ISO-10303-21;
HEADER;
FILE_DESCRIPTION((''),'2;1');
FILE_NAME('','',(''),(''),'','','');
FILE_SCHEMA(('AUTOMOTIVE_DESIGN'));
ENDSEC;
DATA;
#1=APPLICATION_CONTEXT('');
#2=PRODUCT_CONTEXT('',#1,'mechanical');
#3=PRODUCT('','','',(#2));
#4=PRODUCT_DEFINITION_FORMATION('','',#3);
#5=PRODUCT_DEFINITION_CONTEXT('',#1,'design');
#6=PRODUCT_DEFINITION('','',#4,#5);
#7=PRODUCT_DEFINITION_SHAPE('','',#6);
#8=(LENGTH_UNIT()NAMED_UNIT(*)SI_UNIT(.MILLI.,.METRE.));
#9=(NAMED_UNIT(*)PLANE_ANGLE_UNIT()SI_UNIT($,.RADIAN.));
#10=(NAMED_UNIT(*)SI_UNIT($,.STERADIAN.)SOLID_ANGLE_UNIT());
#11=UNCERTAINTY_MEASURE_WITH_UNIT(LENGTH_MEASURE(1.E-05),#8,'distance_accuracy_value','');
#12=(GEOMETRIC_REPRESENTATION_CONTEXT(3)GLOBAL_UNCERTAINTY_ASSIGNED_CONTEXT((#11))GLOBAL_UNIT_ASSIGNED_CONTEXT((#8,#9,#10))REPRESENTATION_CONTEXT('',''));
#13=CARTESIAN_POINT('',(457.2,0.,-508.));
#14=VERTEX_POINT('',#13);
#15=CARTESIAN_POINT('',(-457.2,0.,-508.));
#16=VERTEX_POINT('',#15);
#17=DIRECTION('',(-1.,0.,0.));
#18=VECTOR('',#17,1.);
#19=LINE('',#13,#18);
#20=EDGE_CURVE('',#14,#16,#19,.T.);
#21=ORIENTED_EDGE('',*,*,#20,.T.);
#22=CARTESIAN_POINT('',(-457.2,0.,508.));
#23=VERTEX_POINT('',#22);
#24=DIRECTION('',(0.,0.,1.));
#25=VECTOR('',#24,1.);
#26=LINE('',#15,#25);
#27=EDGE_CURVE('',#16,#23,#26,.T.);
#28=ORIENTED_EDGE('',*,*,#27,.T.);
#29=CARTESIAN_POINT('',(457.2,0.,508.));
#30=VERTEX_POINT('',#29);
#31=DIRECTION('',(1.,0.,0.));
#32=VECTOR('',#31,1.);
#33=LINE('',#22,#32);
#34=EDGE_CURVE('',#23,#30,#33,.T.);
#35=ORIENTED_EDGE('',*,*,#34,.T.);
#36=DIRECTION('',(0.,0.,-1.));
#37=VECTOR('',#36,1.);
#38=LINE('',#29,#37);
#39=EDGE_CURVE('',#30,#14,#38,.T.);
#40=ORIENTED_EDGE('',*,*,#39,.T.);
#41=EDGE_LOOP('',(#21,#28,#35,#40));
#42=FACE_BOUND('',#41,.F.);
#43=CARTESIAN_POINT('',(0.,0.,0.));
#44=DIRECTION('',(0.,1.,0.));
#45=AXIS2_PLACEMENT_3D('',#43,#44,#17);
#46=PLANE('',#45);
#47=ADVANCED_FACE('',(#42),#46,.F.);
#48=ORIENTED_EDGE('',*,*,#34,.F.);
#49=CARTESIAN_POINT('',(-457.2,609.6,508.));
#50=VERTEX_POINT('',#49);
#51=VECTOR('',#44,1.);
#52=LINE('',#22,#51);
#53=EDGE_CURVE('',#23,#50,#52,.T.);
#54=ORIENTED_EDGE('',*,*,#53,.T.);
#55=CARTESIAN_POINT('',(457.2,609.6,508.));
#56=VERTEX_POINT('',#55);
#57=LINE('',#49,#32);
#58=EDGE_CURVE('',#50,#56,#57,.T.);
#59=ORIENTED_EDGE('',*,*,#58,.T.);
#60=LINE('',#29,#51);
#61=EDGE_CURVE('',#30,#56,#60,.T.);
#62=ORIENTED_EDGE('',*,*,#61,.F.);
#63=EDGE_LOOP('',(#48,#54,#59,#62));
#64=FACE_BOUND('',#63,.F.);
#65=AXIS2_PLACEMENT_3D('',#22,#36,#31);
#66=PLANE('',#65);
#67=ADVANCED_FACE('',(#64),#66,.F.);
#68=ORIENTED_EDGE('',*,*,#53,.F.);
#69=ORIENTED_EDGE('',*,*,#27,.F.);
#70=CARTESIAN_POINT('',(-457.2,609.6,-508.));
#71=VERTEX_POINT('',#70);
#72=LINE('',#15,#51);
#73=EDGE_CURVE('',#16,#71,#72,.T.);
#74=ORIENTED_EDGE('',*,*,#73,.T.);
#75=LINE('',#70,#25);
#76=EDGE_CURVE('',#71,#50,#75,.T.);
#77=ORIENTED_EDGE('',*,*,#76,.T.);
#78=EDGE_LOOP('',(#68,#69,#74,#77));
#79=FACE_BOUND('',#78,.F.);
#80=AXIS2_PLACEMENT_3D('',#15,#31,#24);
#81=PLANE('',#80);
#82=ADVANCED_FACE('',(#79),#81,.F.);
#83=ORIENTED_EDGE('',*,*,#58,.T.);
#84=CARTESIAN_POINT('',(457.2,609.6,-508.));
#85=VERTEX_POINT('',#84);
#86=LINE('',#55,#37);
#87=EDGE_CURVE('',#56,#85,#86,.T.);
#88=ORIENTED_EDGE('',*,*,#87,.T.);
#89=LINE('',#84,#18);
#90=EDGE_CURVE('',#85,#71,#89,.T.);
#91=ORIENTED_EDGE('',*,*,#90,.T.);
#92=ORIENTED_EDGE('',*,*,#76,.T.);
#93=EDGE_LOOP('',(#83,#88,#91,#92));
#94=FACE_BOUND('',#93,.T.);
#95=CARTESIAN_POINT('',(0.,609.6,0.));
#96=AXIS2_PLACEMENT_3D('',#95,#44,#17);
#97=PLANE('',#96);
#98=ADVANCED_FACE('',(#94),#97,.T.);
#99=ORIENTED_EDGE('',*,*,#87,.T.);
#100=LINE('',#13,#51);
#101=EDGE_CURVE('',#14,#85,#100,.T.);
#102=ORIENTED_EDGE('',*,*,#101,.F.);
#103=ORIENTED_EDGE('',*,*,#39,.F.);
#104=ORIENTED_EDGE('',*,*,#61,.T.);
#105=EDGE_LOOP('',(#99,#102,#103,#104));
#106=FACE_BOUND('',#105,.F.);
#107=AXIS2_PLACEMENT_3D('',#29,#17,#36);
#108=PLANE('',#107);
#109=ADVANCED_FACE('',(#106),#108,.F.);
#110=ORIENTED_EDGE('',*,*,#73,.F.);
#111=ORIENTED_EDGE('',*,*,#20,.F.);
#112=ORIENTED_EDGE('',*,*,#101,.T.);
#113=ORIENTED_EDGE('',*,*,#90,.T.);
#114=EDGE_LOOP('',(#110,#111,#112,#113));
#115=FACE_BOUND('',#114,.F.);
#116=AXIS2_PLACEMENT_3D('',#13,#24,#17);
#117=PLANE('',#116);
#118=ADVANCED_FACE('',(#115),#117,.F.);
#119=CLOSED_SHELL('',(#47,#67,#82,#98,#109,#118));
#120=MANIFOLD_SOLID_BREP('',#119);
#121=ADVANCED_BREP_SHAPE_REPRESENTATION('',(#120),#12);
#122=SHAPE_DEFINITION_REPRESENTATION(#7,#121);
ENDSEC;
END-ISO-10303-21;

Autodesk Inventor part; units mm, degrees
ref_plane "YZ Plane" through (0, 0, 0) normal (1, 0, 0) x (0, 1, 0)
ref_plane "XZ Plane" through (0, 0, 0) normal (0, 1, 0) x (-1, 0, 0)
ref_plane "XY Plane" through (0, 0, 0) normal (0, 0, 1) x (1, 0, 0)
sketch "Sketch1" plane through (0, 0, 0) normal (0, 1, 0) x (-1, 0, 0)
  line L0 (457.2, 508) -> (-457.2, 508)
  line L1 (-457.2, 508) -> (-457.2, -508)
  line L2 (-457.2, -508) -> (457.2, -508)
  line L3 (457.2, -508) -> (457.2, 508)
  line L4 (457.2, 508) -> (-457.2, -508) construction
  line L5 (-457.2, 508) -> (457.2, -508) construction
  point P0 (0, 0)
  dimension "d0" = 1016
  dimension "d1" = 914.4
extrude "Extrusion1" add sketch "Sketch1" along normal blind 609.6
properties part number "Short Build Volume"
